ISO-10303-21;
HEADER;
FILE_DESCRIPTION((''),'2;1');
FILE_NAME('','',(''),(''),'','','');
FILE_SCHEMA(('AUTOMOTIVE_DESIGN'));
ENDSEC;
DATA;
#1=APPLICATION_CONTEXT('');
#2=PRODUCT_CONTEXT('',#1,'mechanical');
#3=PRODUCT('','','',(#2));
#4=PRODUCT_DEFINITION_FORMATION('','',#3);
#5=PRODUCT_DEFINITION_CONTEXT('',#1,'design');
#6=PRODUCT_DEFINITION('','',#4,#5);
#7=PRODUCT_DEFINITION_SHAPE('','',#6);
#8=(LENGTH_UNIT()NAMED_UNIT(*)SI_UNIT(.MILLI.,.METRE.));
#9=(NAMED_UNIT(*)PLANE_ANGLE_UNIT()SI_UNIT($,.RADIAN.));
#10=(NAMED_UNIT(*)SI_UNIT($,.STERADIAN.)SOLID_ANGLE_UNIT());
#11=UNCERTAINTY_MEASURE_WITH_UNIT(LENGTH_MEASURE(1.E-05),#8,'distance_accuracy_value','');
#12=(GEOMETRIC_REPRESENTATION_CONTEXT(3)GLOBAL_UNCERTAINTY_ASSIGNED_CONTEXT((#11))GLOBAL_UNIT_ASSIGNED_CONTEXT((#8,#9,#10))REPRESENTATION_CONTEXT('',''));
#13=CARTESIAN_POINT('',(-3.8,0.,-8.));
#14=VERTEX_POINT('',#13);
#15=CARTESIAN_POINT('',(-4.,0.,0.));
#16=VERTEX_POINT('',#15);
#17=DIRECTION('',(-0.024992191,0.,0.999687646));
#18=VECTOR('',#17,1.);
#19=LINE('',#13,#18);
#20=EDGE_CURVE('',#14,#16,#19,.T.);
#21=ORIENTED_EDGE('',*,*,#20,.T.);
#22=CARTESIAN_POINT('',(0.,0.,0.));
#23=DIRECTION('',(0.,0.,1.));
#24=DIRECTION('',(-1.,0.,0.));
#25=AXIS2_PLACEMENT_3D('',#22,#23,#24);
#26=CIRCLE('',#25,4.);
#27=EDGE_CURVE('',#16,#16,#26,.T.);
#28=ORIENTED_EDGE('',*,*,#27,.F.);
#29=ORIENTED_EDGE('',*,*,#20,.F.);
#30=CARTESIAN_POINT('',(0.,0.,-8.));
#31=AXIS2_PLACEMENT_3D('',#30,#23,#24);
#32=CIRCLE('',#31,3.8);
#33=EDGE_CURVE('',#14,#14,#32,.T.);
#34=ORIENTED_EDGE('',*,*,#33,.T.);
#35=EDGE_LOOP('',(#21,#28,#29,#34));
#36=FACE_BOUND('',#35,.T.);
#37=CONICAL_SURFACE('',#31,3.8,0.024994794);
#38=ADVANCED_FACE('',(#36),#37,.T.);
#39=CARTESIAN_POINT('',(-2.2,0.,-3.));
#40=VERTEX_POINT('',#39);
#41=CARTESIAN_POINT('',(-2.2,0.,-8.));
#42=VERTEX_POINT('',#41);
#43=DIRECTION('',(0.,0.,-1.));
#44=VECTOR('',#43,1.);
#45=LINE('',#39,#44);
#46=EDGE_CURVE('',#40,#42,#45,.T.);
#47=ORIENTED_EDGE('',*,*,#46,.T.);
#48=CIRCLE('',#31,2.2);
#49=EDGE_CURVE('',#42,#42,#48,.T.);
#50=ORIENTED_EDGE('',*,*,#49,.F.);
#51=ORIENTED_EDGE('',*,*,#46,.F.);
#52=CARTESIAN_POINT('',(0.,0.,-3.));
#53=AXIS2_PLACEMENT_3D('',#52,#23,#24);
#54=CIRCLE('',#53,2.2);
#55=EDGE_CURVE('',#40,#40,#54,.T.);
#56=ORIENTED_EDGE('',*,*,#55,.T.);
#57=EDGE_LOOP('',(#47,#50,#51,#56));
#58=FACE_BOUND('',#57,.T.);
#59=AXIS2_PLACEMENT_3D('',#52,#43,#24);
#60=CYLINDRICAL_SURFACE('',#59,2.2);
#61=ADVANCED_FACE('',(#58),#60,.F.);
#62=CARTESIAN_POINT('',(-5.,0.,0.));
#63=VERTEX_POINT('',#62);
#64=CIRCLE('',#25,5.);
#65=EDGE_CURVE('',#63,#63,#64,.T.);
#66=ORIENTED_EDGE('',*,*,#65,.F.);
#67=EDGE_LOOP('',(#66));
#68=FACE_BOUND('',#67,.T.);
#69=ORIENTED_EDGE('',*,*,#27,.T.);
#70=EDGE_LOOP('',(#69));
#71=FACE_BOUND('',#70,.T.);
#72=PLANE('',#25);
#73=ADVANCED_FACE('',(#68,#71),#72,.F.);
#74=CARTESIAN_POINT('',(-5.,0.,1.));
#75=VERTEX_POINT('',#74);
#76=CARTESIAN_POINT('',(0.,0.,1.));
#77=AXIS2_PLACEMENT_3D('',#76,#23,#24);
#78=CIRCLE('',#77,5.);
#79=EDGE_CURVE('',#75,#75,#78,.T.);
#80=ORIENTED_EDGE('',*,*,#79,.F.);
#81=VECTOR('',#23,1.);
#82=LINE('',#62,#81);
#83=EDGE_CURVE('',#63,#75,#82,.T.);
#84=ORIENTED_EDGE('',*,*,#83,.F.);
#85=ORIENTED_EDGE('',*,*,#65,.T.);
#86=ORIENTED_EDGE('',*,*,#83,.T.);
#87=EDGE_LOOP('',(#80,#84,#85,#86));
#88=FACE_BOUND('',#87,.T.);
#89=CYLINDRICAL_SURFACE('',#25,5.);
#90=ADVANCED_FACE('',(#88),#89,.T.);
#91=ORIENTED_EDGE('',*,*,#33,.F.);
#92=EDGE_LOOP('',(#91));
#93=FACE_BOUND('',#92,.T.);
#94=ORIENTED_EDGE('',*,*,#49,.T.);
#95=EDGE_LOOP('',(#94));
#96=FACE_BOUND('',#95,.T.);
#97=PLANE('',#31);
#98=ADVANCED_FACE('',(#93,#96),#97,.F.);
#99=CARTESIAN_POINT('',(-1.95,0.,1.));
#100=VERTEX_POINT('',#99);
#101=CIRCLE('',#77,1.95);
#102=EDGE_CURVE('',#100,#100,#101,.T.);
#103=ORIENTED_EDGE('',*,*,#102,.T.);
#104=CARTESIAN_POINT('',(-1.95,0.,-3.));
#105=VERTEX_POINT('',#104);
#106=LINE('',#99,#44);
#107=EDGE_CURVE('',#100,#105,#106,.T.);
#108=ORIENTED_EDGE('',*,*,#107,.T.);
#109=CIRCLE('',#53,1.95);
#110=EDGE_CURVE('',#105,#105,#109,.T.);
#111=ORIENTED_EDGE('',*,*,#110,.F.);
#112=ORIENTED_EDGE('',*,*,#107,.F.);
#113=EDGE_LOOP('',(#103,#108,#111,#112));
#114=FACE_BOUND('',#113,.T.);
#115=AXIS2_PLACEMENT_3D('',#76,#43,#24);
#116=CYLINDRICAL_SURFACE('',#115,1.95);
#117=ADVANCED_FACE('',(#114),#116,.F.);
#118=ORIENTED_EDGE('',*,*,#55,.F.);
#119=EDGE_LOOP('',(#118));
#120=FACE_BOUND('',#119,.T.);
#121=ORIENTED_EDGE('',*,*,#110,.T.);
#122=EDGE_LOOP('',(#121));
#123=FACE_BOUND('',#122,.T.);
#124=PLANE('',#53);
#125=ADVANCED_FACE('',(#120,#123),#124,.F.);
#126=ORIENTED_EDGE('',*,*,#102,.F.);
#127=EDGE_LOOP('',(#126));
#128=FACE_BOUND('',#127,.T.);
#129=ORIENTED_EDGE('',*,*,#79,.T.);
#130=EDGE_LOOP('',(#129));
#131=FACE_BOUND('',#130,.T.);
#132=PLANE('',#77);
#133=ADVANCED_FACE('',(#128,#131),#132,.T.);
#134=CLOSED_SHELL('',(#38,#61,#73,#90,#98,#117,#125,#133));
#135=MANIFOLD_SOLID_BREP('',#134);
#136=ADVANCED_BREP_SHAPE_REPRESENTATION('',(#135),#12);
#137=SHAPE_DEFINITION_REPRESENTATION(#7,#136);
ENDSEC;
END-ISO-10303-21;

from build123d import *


with BuildPart() as part:
    # Sketch → Revolution (revolve)
    with BuildSketch(Plane.XZ):
        Polygon((-1.95, 1), (-1.95, -3), (-2.2, -3), (-2.2, -8), (-3.8, -8), (-4, 0), (-5, 0), (-5, 1), align=None)
    revolve(axis=Axis((0, 0, 0), (0, 0, 1)))


solid = part.part
